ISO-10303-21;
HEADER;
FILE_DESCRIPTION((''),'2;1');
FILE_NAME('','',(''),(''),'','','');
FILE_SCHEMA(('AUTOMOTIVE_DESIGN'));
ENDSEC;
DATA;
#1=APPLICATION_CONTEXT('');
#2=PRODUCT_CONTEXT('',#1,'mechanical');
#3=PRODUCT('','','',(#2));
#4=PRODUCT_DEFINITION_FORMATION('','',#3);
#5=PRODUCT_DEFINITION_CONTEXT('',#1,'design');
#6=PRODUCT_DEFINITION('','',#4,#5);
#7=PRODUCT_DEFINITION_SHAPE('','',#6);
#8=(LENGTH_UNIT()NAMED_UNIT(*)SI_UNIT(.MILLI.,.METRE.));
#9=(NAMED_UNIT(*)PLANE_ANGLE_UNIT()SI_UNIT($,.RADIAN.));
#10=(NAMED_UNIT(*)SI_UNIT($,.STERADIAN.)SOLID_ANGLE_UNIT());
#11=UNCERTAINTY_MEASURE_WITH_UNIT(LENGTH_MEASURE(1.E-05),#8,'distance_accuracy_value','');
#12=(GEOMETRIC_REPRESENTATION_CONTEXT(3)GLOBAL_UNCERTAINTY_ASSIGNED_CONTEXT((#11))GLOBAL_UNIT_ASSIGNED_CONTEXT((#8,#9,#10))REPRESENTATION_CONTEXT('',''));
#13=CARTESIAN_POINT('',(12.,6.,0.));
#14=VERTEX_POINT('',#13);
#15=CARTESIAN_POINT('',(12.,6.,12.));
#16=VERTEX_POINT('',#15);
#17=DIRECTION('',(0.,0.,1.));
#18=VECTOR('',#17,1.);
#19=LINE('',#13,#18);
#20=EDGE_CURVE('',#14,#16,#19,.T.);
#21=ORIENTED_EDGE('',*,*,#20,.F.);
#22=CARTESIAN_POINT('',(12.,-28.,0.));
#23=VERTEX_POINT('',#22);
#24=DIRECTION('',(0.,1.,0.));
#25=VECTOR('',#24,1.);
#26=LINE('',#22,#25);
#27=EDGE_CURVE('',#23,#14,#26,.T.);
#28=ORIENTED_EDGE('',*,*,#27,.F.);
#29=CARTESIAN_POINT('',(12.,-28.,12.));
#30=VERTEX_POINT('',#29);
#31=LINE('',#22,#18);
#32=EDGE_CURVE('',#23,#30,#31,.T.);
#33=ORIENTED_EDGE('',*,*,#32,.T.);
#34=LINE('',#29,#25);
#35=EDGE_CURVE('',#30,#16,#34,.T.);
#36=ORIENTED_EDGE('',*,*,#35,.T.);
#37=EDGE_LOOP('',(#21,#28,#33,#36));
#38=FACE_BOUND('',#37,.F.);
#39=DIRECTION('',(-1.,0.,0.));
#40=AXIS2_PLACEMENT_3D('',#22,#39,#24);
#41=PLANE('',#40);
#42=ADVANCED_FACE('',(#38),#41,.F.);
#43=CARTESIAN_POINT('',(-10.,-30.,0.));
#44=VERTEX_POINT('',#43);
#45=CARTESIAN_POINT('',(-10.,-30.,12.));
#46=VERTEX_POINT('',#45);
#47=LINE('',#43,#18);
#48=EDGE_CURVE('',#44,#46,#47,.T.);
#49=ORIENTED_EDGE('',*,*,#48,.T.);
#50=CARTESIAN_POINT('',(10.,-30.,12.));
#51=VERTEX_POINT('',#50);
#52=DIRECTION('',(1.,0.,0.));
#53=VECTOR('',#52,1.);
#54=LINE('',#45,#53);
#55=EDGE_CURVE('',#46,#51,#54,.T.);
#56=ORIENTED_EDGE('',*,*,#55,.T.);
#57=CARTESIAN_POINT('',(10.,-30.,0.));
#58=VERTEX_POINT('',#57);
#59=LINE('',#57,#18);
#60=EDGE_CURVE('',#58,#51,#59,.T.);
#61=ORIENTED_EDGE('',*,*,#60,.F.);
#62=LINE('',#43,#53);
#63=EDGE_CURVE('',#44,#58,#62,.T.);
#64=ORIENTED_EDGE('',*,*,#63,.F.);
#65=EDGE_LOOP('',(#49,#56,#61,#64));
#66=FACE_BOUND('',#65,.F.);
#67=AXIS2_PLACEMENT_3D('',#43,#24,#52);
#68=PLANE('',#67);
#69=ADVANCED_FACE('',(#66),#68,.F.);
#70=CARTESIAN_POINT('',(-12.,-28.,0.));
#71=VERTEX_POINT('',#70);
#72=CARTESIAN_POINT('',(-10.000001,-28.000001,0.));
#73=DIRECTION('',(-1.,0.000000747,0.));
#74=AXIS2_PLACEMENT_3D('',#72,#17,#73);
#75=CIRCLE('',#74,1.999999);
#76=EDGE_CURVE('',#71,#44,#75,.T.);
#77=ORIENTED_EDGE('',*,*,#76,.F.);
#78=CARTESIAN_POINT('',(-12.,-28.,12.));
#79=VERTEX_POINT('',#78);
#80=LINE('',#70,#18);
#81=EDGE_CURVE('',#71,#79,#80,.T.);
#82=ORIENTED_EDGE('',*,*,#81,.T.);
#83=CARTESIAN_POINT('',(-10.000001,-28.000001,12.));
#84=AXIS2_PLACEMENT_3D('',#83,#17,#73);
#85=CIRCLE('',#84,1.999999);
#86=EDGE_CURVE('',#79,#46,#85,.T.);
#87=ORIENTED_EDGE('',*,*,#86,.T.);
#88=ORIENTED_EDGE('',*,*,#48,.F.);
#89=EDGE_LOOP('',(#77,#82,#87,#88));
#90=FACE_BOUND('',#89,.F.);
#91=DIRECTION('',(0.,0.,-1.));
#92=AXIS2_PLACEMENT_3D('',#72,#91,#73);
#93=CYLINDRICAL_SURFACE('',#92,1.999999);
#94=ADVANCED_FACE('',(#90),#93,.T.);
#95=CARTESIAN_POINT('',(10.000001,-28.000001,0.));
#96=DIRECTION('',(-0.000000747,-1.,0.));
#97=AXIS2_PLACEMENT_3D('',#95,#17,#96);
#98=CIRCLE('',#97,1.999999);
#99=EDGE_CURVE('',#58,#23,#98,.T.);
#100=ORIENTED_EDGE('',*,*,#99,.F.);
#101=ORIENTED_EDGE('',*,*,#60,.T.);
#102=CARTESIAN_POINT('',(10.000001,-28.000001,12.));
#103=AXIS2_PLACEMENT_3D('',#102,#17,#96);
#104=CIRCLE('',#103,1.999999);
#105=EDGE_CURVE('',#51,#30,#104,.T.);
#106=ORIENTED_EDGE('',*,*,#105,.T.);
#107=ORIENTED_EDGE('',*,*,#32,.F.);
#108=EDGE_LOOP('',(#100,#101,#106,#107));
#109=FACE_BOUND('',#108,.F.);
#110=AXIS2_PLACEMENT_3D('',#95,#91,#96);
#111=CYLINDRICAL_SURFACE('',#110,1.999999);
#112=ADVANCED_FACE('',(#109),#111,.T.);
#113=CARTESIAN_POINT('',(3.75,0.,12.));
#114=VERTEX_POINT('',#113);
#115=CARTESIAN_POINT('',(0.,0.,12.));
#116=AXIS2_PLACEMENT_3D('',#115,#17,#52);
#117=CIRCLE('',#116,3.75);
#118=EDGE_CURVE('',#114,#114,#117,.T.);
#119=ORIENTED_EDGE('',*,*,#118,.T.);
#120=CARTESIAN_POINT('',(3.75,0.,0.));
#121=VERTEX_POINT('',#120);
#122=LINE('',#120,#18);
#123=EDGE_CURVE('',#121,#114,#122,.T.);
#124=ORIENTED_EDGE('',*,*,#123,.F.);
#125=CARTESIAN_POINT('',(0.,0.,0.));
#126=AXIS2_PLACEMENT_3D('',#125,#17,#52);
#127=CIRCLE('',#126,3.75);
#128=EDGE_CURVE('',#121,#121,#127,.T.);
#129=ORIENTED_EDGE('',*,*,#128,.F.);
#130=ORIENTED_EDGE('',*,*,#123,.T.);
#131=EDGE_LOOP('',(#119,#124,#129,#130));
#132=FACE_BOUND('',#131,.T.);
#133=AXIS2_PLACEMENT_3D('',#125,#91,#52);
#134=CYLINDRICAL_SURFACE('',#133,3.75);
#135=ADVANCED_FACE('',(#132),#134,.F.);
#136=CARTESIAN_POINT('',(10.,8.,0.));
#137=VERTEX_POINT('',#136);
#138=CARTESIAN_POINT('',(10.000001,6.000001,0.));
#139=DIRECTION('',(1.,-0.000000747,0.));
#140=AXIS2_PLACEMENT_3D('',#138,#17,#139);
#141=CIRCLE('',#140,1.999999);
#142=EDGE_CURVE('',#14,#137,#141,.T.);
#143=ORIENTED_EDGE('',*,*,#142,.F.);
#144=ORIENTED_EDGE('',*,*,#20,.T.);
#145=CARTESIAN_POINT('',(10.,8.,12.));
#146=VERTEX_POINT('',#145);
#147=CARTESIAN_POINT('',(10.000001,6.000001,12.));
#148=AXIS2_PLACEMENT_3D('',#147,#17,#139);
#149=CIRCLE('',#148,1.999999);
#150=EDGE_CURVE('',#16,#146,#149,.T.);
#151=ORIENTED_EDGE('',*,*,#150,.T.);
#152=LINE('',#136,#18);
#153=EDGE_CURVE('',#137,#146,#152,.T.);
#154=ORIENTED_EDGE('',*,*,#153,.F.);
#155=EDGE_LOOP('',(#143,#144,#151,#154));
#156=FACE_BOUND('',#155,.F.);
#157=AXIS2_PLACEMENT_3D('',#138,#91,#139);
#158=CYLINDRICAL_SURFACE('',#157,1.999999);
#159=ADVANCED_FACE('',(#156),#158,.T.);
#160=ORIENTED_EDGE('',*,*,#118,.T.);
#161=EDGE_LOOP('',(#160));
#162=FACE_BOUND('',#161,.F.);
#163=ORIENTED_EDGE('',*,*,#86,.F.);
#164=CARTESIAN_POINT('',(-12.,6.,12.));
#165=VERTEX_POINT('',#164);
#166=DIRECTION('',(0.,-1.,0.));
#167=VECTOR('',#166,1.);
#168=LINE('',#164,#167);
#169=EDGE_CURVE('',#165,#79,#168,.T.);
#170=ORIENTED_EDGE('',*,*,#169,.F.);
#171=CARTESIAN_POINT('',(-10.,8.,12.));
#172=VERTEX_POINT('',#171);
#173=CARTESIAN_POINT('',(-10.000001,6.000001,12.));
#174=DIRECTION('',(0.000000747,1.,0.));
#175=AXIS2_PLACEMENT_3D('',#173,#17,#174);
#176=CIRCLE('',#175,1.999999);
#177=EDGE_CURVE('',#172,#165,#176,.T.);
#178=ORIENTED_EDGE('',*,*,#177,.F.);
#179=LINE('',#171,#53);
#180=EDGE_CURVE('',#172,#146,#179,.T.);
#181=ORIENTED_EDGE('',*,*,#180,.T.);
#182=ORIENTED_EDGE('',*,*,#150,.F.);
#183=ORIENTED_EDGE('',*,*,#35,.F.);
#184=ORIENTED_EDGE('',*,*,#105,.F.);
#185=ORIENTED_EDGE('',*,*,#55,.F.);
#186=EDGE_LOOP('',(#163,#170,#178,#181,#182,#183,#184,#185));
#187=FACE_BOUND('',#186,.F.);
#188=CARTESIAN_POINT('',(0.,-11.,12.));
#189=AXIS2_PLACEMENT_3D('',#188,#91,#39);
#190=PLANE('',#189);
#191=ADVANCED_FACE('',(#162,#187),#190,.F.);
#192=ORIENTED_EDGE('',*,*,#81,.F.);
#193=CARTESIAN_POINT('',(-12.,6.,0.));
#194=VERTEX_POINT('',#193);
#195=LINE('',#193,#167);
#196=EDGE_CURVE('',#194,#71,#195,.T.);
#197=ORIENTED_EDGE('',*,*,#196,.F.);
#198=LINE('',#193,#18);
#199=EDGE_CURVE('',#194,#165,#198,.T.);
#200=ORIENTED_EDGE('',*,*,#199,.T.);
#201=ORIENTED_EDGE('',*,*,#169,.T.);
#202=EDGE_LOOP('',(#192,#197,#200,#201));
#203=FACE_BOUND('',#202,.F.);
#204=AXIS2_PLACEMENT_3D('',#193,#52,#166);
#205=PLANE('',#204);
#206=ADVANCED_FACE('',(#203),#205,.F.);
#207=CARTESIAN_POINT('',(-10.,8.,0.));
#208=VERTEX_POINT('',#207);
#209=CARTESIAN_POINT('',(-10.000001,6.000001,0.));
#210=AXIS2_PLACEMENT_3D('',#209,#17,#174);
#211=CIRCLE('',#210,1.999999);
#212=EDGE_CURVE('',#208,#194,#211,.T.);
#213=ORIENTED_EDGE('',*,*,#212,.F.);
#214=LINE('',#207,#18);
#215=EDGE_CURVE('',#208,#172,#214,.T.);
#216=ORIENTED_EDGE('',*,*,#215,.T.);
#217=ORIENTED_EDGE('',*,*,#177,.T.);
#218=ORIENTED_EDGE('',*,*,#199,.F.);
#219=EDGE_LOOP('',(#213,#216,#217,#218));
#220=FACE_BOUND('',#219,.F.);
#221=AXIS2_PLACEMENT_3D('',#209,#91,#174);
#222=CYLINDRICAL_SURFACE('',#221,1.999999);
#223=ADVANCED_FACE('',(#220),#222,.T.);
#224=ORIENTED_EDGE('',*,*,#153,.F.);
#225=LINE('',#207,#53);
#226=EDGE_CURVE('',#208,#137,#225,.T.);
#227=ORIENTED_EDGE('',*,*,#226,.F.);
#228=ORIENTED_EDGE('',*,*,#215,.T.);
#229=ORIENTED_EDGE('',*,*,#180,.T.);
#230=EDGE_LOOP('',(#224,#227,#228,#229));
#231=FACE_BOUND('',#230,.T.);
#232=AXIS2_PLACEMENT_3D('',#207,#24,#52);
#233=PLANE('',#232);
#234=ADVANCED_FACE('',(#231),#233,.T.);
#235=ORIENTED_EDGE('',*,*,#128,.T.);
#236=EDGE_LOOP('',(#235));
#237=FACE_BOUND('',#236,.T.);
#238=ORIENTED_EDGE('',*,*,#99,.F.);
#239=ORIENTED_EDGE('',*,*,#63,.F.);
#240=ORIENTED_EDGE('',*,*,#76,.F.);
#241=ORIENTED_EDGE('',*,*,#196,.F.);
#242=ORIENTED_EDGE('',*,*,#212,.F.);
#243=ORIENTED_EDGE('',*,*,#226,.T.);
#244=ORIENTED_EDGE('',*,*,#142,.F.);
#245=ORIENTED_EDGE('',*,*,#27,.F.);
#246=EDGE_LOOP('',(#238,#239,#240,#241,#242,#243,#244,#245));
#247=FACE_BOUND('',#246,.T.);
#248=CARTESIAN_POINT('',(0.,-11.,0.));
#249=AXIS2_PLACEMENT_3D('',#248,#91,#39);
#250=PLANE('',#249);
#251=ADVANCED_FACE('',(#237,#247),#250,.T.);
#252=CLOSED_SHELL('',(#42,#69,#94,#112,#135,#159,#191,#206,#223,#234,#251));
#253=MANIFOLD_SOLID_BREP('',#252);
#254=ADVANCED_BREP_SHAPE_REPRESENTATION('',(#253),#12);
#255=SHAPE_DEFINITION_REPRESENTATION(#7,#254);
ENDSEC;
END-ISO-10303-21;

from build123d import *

# Parameters (mm, degrees)
SKETCH_R  = 3.75
PAD_DEPTH = 12


with BuildPart() as part:
    # Sketch → Pad (new body)
    with BuildSketch(Plane.XY):
        with BuildLine():
            Line((-10, 8), (10, 8))
            ThreePointArc((12, 6), (11.414214, 7.414214), (10, 8))
            Line((12, -28), (12, 6))
            ThreePointArc((10, -30), (11.414214, -29.414214), (12, -28))
            Line((-10, -30), (10, -30))
            ThreePointArc((-12, -28), (-11.414214, -29.414214), (-10, -30))
            Line((-12, 6), (-12, -28))
            ThreePointArc((-10, 8), (-11.414214, 7.414214), (-12, 6))
        make_face()
        Circle(SKETCH_R, mode=Mode.SUBTRACT)
    extrude(amount=PAD_DEPTH)


solid = part.part
